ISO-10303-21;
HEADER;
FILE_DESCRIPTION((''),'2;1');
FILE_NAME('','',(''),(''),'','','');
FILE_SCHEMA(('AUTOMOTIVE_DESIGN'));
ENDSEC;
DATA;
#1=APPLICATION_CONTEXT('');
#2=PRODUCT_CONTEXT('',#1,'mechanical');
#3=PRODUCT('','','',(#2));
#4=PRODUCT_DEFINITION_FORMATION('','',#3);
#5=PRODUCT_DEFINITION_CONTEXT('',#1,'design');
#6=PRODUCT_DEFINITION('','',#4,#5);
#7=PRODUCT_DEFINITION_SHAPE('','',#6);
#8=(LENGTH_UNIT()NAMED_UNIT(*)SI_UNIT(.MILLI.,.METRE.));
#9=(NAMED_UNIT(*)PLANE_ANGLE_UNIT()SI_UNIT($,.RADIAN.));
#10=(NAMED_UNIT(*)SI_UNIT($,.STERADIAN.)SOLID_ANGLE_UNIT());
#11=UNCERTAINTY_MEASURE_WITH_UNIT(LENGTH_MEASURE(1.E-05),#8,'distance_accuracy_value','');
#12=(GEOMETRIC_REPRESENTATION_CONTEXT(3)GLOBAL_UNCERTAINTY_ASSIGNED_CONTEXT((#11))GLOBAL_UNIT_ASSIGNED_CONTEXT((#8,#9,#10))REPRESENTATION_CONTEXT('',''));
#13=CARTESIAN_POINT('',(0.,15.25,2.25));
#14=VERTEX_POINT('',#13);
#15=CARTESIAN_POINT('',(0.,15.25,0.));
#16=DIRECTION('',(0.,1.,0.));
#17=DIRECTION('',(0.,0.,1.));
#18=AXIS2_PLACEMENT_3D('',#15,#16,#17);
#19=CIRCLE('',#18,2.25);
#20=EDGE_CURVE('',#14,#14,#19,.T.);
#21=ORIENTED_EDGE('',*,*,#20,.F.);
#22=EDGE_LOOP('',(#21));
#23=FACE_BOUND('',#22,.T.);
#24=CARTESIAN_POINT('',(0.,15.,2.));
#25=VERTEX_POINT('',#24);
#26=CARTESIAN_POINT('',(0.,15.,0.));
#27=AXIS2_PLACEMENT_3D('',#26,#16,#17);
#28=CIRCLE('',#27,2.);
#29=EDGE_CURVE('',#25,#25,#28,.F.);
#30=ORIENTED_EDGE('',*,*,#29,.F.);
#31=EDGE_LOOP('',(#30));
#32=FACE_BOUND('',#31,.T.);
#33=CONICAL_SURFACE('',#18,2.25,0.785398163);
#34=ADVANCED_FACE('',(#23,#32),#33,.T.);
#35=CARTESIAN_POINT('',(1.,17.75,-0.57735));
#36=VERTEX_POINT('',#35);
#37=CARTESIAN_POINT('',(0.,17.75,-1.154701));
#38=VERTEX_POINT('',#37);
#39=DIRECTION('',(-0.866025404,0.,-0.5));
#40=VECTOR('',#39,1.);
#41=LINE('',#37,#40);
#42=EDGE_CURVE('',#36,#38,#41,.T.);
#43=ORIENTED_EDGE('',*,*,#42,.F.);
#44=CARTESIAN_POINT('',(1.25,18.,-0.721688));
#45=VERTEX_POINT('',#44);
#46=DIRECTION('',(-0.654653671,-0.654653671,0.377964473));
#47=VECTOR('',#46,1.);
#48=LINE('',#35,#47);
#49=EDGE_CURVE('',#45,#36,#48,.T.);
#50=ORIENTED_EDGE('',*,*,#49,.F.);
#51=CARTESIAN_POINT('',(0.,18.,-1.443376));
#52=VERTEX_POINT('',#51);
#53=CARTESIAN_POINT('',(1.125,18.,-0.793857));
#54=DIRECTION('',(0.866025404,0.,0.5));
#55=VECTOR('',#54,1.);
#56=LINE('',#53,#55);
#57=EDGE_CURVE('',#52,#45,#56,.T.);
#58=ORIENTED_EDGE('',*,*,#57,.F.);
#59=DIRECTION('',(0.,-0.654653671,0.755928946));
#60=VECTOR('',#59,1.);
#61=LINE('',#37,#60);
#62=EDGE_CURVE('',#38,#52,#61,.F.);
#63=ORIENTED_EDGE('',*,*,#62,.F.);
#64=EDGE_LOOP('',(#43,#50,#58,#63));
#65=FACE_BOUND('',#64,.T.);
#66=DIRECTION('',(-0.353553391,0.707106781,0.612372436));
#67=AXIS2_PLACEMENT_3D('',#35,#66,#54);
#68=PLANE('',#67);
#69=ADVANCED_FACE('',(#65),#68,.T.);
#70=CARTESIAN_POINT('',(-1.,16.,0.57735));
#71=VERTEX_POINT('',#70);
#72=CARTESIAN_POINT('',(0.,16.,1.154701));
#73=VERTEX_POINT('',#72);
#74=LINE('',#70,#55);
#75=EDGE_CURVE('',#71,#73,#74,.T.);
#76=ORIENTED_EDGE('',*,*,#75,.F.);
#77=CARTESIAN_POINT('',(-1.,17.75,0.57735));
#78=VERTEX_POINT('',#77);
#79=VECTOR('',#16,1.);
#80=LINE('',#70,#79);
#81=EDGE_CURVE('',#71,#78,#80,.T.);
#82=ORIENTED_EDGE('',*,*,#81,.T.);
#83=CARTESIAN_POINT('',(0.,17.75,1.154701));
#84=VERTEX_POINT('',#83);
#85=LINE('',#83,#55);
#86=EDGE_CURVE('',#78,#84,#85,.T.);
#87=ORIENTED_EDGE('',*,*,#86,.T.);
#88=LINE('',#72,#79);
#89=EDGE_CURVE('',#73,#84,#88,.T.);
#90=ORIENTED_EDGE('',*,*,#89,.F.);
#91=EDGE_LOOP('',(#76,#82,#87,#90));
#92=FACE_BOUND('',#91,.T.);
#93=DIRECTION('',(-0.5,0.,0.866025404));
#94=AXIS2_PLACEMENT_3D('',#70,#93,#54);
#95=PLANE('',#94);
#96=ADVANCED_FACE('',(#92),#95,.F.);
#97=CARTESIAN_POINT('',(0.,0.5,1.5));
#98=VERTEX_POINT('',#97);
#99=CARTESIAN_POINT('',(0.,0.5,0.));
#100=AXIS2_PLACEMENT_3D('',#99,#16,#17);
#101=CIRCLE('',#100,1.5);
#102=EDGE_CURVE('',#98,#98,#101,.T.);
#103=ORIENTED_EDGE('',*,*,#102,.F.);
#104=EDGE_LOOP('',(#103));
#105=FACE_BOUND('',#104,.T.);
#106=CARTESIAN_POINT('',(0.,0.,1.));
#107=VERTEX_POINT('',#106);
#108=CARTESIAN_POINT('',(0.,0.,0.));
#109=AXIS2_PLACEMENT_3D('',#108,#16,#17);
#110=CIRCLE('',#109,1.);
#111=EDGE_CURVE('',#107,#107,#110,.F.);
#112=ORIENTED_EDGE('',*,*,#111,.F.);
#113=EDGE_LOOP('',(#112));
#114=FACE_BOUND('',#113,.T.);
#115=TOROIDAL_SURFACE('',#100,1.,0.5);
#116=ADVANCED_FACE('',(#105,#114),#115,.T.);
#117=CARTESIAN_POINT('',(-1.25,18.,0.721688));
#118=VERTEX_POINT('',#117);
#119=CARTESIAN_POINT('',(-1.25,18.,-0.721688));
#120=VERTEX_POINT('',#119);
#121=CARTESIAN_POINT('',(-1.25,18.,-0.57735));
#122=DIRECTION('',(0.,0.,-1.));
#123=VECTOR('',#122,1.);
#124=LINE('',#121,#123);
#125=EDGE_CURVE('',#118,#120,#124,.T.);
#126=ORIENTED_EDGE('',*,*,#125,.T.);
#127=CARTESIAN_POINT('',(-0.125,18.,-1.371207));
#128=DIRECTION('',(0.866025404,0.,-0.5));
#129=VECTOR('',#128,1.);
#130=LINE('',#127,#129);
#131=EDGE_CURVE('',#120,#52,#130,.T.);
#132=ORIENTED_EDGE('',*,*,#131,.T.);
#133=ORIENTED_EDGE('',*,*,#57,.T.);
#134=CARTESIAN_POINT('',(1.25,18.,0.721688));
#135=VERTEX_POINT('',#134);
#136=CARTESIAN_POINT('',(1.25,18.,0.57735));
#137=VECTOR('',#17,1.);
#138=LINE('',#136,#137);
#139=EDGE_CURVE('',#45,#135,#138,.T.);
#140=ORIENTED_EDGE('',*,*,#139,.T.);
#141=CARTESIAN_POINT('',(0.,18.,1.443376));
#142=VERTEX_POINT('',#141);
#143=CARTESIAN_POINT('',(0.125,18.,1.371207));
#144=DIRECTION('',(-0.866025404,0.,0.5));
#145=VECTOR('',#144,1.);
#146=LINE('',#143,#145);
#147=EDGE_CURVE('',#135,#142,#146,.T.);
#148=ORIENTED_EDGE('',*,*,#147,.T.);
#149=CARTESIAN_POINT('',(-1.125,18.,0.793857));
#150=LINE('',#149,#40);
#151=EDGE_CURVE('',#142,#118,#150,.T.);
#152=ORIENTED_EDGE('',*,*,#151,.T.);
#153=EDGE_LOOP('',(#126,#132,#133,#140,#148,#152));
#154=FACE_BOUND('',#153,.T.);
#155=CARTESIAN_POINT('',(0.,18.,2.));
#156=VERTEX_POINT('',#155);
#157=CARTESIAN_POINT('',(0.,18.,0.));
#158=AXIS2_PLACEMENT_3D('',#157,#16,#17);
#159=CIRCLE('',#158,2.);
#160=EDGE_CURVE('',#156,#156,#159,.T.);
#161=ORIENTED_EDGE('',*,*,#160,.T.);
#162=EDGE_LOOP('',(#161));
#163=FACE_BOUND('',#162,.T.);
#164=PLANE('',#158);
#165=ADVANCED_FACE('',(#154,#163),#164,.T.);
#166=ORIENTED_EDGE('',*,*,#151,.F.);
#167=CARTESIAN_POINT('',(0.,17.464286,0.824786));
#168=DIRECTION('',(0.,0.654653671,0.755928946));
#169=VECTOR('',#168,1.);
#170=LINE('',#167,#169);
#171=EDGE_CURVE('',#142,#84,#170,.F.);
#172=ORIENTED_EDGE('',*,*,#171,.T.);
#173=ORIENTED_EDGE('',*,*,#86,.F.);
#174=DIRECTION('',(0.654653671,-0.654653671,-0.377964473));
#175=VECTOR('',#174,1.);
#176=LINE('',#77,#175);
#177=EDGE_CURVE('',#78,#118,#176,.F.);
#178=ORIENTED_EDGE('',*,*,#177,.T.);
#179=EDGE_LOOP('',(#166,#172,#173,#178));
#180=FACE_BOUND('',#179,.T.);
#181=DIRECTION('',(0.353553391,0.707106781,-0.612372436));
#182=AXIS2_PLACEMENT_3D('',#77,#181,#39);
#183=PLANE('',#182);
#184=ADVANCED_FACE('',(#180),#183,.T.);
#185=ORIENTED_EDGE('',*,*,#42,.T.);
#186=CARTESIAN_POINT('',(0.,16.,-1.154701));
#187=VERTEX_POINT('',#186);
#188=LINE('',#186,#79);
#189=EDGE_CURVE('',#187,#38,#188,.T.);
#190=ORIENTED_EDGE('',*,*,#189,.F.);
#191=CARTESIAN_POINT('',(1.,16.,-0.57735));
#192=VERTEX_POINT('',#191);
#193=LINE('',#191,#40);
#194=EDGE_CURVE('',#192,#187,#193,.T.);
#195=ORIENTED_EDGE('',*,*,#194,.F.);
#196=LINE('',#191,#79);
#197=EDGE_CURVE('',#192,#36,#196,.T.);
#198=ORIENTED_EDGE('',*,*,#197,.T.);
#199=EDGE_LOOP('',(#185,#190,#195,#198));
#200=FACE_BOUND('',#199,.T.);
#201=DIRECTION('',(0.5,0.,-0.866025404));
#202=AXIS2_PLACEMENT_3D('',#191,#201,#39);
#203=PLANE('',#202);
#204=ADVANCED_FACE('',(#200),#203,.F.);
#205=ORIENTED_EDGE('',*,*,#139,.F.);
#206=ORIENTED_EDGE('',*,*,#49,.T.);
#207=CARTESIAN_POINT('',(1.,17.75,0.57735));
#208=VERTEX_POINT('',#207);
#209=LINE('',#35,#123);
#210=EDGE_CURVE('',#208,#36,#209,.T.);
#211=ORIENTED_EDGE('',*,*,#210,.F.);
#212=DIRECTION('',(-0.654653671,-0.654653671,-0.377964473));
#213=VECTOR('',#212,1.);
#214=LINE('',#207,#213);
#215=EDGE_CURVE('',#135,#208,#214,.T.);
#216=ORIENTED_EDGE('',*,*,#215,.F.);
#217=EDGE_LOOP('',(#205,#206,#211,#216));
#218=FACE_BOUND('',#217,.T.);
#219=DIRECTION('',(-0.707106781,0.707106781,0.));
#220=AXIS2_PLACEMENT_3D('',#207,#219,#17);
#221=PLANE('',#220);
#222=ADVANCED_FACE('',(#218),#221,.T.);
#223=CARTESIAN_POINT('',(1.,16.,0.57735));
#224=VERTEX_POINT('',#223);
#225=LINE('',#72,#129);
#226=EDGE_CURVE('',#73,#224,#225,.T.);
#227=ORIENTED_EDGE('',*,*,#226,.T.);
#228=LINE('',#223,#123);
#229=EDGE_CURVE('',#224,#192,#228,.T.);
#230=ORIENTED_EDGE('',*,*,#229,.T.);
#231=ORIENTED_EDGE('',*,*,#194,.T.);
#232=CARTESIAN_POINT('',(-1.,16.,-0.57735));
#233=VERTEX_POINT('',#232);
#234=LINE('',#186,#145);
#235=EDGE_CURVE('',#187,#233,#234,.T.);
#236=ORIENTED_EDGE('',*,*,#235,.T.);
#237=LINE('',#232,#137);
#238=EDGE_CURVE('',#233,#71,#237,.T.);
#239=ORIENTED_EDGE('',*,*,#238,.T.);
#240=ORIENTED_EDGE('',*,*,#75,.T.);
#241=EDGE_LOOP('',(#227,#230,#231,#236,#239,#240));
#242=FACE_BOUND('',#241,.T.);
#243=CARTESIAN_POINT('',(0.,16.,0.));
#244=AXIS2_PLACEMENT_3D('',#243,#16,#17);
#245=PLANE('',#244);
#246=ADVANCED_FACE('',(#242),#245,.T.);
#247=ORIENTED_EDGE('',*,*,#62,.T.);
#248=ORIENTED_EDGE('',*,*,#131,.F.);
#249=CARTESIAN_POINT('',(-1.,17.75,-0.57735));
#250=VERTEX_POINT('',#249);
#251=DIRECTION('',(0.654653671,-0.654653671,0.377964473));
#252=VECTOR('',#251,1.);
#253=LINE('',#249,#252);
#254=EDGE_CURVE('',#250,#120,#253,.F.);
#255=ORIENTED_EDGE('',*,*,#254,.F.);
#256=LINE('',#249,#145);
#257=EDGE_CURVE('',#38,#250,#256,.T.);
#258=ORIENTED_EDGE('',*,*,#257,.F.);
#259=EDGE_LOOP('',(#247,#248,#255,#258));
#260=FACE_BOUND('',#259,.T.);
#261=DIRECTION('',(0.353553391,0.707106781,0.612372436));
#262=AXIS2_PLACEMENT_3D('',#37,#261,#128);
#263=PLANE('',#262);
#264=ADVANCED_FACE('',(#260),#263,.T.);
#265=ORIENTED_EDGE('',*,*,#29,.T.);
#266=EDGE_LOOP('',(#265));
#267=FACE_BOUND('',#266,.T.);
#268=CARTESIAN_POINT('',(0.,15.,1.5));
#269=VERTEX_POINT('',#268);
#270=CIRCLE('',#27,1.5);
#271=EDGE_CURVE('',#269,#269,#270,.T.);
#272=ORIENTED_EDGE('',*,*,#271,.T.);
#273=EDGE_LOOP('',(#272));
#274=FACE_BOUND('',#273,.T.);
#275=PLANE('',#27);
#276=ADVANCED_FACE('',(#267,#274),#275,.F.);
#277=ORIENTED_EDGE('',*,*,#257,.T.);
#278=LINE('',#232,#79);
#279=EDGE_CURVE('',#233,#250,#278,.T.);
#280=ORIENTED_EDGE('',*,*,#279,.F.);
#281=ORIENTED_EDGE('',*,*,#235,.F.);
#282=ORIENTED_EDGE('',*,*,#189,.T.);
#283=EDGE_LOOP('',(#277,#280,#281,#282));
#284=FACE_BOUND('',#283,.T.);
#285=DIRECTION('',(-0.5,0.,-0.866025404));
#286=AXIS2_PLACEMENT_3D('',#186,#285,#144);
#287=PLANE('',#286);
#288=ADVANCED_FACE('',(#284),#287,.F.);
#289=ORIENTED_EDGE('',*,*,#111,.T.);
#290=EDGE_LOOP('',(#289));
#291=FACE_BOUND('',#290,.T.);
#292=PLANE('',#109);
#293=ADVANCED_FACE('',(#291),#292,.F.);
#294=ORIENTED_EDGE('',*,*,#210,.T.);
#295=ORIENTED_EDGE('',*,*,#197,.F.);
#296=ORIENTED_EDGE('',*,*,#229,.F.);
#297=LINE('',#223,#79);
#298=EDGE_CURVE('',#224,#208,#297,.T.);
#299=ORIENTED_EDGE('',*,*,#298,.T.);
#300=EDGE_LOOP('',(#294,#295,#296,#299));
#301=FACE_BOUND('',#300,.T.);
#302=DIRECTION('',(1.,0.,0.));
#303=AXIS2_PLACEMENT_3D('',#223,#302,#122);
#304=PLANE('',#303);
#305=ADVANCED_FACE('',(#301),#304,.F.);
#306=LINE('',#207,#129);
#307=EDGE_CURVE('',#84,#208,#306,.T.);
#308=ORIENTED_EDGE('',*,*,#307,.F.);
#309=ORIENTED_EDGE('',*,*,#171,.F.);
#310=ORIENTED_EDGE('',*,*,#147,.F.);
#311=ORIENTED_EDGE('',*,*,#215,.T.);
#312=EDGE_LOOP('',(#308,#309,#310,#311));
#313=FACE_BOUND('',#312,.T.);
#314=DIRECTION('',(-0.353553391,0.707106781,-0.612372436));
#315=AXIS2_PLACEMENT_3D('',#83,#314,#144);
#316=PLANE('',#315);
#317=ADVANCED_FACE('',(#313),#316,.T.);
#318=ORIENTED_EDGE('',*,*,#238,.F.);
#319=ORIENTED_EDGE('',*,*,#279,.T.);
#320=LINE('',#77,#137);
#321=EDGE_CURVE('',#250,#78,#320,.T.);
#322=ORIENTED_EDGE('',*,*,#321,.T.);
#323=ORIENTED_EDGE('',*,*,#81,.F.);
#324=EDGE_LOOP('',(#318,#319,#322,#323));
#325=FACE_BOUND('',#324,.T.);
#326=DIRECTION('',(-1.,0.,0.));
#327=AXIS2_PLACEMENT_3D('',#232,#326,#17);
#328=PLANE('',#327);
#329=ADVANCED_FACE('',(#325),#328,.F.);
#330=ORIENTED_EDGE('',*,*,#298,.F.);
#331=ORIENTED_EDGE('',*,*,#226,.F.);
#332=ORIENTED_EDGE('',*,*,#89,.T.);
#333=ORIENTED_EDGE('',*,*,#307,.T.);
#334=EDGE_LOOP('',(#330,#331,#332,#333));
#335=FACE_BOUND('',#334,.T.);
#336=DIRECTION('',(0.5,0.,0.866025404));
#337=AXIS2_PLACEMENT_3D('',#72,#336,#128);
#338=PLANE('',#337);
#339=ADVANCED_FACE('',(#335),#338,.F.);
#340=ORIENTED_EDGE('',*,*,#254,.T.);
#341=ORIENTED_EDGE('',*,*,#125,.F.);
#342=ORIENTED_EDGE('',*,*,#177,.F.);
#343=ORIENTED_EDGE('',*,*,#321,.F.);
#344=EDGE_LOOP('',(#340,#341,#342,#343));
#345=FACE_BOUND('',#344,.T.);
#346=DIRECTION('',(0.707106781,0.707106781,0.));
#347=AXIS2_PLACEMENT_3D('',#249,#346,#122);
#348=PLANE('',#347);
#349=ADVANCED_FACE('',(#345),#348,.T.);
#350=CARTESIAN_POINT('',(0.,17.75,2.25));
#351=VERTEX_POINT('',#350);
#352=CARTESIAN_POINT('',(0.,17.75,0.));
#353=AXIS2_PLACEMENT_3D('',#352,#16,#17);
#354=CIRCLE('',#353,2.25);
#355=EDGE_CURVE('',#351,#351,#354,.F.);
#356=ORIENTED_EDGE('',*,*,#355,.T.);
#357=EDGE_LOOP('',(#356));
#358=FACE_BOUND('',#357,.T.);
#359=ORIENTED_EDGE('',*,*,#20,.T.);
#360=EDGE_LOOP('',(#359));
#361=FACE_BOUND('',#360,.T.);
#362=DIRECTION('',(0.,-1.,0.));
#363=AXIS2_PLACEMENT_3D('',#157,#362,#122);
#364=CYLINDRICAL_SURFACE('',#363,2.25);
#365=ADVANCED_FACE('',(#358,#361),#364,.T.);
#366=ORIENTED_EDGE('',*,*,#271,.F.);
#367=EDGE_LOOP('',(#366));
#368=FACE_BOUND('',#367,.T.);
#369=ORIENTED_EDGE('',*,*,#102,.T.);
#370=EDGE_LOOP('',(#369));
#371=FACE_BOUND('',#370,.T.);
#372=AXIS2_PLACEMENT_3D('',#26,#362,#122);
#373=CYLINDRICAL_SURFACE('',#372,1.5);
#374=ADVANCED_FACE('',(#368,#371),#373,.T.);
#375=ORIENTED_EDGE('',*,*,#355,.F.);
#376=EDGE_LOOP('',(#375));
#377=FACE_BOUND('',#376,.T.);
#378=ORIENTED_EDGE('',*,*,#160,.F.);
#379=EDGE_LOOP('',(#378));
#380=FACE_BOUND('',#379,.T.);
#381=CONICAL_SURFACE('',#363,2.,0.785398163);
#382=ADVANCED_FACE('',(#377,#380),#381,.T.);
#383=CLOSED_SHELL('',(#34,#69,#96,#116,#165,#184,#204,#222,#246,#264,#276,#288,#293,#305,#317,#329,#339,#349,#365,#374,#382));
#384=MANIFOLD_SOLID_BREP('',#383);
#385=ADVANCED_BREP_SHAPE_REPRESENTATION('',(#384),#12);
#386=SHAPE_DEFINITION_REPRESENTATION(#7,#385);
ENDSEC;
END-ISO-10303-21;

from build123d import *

# Parameters (mm, degrees)
SKETCH1_R           = 1.5
BOSS_EXTRUDE1_DEPTH = 15
SKETCH2_R           = 2.25
BOSS_EXTRUDE2_DEPTH = 3
CUT_EXTRUDE1_DEPTH  = 2
CHAMFER1_SIZE       = 0.25
FILLET1_R           = 0.5


with BuildPart() as part:
    # Sketch1 → Boss-Extrude1 (new body)
    with BuildSketch(Plane(origin=(0, 0, 0), x_dir=(1, 0, 0), z_dir=(0, 1, 0))):
        with Locations(Location((0, 0, 0), (0, 0, 270))):
            Circle(SKETCH1_R)
    extrude(amount=BOSS_EXTRUDE1_DEPTH)

    # Sketch2 → Boss-Extrude2 (add)
    with BuildSketch(Plane(origin=(0, 15, 0), x_dir=(1, 0, 0), z_dir=(0, 1, 0))):
        with Locations(Location((0, 0, 0), (0, 0, 270))):
            Circle(SKETCH2_R)
    extrude(amount=BOSS_EXTRUDE2_DEPTH)

    # Sketch3 → Cut-Extrude1 (cut)
    with BuildSketch(Plane(origin=(0, 18, 0), x_dir=(1, 0, 0), z_dir=(0, 1, 0))):
        Polygon((0, 1.154700538), (-1, 0.577350269), (-1, -0.577350269), (0, -1.154700538), (1, -0.577350269), (1, 0.577350269), align=None)
    extrude(amount=-CUT_EXTRUDE1_DEPTH, mode=Mode.SUBTRACT)

    # Chamfer1
    chamfer1_edges = [part.edges().sort_by_distance(p)[0] for p in [
        (0.5, 18, -0.866025404),
        (-0.5, 18, -0.866025404),
        (-1, 18, 0),
        (-0.5, 18, 0.866025404),
        (0.5, 18, 0.866025404),
        (1, 18, 0),
        (0, 15, -2.25),
        (0, 18, -2.25),
    ]]
    chamfer(chamfer1_edges, length=CHAMFER1_SIZE)

    # Fillet1
    fillet1_edges = [part.edges().sort_by_distance(p)[0] for p in [
        (0, 0, -1.5),
    ]]
    fillet(fillet1_edges, radius=FILLET1_R)


solid = part.part
